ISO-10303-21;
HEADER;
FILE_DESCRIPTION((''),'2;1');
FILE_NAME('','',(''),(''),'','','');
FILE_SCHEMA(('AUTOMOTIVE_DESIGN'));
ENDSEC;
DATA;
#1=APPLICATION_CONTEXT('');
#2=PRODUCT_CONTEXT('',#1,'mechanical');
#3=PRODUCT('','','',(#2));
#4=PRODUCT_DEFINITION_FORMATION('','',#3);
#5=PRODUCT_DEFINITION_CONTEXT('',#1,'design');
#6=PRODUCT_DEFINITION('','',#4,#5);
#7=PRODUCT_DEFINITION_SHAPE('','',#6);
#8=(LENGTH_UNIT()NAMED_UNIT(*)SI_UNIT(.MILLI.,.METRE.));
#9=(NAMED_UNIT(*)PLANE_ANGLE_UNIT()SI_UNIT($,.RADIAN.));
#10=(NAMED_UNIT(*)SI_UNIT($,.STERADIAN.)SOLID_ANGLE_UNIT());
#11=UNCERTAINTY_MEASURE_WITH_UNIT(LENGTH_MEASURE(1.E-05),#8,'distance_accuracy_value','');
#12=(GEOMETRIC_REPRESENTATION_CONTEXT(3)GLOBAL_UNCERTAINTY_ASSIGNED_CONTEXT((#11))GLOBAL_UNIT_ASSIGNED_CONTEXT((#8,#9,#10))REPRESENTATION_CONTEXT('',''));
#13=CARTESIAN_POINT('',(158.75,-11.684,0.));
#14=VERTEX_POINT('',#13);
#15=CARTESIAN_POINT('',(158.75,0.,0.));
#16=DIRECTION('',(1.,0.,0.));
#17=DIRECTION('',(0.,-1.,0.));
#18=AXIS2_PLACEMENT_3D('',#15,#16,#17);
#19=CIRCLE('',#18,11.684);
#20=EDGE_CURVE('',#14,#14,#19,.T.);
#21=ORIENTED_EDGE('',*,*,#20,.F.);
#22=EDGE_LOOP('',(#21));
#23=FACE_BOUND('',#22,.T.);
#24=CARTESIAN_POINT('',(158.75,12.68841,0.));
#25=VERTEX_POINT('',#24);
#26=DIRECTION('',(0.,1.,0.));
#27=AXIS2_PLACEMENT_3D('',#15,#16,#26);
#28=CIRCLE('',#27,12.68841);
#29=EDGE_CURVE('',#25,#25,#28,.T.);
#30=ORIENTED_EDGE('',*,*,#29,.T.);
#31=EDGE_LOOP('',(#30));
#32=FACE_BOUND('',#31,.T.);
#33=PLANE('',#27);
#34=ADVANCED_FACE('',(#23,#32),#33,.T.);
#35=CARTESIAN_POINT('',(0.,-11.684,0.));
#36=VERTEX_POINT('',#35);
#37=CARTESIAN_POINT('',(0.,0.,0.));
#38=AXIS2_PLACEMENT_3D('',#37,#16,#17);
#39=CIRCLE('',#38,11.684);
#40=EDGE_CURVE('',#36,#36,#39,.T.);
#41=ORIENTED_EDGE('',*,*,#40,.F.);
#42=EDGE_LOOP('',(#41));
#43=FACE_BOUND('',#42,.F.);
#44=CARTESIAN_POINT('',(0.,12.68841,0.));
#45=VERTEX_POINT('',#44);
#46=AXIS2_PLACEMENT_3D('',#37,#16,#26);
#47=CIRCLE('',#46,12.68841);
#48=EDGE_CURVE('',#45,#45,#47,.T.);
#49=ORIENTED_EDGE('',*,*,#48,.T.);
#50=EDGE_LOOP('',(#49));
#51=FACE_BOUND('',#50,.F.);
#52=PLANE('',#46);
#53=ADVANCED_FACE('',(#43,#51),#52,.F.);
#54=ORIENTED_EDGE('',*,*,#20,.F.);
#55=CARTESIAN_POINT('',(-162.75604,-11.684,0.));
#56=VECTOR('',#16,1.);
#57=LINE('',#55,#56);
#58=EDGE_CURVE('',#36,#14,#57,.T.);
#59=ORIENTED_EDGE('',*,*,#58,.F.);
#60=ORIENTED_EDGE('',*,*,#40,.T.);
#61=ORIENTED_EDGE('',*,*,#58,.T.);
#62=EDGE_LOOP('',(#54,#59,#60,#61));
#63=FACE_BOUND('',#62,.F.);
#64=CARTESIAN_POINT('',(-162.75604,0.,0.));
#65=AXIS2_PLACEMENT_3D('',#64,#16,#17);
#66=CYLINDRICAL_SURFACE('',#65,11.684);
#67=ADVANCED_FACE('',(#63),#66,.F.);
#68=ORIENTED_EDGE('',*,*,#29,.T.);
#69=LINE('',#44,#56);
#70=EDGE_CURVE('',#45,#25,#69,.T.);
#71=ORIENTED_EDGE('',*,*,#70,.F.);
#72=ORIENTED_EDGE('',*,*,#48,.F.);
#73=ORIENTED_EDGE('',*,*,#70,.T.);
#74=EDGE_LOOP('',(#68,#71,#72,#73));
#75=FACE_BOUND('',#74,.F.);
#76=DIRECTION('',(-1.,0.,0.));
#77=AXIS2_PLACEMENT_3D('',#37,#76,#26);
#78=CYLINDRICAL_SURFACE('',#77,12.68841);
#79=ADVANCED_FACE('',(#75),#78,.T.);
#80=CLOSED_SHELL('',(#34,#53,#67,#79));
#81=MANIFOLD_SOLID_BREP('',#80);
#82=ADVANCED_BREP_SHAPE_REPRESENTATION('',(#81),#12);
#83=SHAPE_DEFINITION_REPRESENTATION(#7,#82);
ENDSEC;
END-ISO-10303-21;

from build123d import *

# Parameters (mm, degrees)
F0_R     = 12.68841
F1_DEPTH = 158.75
F3_D     = 23.368


with BuildPart() as f1:
    # F0 (on Right) → F1 (new body)
    with BuildSketch(Plane.YZ):
        Circle(F0_R)
    extrude(amount=F1_DEPTH)

    # F3 (through all)
    with Locations(Plane(origin=(0, 0, 0), x_dir=(0, 1, 0), z_dir=(-1, 0, 0))):
        with Locations((0, 0)):
            Hole(F3_D / 2)


solid = f1.part
